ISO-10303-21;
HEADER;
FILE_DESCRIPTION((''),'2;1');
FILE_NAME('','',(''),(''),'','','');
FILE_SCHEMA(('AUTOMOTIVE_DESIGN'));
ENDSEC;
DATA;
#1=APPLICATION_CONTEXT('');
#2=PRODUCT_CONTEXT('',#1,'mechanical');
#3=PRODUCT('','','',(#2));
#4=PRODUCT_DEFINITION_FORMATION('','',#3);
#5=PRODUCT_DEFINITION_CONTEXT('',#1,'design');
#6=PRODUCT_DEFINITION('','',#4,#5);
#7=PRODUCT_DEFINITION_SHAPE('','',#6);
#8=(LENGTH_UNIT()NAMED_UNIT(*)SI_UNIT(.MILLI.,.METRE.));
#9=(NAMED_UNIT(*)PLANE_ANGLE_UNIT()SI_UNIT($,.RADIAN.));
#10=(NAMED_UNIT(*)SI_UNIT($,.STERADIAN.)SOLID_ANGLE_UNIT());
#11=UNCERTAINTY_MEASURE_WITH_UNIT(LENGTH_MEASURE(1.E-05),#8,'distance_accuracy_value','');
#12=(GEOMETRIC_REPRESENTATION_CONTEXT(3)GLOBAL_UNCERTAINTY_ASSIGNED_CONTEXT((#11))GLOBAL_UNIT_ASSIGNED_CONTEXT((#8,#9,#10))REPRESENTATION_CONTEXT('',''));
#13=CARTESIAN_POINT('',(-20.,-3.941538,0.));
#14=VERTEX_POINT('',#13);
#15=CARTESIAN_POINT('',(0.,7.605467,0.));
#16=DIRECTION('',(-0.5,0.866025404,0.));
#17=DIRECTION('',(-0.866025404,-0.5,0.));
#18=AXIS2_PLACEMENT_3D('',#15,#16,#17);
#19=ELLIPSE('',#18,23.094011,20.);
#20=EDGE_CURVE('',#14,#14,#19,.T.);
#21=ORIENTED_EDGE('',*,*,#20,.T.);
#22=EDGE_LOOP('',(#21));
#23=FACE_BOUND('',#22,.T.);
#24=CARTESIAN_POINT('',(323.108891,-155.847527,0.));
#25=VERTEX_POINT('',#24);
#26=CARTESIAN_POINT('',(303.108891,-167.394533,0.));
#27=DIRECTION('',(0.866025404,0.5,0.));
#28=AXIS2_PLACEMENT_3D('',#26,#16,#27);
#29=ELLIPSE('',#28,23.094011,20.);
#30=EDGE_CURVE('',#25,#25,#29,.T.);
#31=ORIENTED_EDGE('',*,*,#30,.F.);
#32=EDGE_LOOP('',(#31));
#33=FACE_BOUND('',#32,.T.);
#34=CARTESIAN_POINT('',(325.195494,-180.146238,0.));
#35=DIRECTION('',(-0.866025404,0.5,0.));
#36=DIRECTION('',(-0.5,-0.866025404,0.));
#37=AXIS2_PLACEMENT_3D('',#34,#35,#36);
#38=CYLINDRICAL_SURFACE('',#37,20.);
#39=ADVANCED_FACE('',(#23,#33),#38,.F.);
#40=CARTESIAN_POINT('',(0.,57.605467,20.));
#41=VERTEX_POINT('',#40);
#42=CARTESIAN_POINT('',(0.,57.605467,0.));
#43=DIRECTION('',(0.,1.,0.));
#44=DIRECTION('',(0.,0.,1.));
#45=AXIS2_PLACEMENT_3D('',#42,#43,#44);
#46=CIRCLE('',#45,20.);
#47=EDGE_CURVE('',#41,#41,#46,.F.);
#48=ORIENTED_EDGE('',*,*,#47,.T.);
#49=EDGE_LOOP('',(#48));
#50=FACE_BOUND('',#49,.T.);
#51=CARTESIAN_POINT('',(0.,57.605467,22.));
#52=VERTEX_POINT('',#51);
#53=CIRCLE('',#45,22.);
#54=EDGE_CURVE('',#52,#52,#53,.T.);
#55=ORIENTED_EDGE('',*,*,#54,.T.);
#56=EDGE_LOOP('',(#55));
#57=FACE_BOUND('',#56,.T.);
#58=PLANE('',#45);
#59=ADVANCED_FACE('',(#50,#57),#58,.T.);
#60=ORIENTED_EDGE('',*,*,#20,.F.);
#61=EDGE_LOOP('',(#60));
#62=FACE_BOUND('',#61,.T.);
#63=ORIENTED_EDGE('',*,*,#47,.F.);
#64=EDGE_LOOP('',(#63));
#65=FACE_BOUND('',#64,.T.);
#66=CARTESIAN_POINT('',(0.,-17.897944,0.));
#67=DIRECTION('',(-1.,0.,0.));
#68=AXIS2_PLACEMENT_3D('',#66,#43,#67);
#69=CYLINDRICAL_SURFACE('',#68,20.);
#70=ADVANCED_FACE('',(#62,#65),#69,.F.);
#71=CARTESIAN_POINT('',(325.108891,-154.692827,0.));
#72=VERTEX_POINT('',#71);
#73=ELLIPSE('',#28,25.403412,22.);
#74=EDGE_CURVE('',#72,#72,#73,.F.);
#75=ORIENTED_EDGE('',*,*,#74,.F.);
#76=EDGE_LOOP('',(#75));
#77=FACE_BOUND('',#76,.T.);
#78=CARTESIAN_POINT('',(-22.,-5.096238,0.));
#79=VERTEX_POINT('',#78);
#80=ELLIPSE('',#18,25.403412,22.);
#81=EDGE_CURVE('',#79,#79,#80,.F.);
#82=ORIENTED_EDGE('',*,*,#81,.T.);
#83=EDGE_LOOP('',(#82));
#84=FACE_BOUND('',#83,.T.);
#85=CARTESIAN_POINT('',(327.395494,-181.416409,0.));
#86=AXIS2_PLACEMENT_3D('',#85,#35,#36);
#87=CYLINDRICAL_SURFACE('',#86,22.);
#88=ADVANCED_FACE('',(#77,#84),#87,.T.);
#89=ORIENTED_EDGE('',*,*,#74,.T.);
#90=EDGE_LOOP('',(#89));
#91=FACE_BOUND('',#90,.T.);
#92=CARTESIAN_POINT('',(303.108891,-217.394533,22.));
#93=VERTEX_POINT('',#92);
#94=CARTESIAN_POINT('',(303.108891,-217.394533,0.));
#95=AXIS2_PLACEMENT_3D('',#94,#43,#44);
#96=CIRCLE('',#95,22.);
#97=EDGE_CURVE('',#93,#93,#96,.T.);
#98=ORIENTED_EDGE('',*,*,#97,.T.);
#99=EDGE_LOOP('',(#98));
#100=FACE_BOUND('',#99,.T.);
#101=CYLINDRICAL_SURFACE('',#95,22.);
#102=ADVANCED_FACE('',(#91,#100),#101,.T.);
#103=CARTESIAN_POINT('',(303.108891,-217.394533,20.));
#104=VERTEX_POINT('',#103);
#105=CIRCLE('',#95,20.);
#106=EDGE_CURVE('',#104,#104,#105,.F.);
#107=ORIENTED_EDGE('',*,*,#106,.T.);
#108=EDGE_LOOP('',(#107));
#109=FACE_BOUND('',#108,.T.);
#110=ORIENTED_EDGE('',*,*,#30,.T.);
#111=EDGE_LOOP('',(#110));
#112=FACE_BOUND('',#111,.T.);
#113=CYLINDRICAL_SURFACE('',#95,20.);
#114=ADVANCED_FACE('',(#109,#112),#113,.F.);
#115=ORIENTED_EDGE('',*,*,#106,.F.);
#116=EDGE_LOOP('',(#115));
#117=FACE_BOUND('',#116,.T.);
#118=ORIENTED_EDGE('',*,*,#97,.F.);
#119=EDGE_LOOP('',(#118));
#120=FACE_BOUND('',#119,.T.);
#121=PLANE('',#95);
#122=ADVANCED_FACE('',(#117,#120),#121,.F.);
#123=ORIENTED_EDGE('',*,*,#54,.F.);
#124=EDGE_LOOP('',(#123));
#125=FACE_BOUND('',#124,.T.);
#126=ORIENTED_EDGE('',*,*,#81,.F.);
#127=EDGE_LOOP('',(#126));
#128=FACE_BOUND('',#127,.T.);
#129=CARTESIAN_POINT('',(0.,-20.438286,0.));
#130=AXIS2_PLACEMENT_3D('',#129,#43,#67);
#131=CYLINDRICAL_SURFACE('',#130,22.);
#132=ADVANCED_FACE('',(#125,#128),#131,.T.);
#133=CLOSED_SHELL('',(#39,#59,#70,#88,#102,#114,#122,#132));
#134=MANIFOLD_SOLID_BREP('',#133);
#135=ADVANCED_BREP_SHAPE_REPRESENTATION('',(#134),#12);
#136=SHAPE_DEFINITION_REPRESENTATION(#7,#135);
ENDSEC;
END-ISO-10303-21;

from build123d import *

# Parameters (mm, degrees)
SKETCH2_R   = 22
SKETCH2_R_2 = 20


with BuildPart() as part:
    # Sweep1: sweep along a path in Sketch1
    with BuildLine(Plane.XY) as sweep1_path:
        Line((0, 57.605467438), (0, 7.605467438))
        Line((0, 7.605467438), (303.108891325, -167.394532562))
        Line((303.108891325, -167.394532562), (303.108891325, -217.394532562))
    # Sketch2 → Sweep1 (sweep)
    with BuildSketch(Plane(origin=(0, 50, 0), x_dir=(1, 0, 0), z_dir=(0, 1, 0))):
        Circle(SKETCH2_R)
        Circle(SKETCH2_R_2, mode=Mode.SUBTRACT)
    sweep(path=sweep1_path.line, transition=Transition.RIGHT)


solid = part.part
